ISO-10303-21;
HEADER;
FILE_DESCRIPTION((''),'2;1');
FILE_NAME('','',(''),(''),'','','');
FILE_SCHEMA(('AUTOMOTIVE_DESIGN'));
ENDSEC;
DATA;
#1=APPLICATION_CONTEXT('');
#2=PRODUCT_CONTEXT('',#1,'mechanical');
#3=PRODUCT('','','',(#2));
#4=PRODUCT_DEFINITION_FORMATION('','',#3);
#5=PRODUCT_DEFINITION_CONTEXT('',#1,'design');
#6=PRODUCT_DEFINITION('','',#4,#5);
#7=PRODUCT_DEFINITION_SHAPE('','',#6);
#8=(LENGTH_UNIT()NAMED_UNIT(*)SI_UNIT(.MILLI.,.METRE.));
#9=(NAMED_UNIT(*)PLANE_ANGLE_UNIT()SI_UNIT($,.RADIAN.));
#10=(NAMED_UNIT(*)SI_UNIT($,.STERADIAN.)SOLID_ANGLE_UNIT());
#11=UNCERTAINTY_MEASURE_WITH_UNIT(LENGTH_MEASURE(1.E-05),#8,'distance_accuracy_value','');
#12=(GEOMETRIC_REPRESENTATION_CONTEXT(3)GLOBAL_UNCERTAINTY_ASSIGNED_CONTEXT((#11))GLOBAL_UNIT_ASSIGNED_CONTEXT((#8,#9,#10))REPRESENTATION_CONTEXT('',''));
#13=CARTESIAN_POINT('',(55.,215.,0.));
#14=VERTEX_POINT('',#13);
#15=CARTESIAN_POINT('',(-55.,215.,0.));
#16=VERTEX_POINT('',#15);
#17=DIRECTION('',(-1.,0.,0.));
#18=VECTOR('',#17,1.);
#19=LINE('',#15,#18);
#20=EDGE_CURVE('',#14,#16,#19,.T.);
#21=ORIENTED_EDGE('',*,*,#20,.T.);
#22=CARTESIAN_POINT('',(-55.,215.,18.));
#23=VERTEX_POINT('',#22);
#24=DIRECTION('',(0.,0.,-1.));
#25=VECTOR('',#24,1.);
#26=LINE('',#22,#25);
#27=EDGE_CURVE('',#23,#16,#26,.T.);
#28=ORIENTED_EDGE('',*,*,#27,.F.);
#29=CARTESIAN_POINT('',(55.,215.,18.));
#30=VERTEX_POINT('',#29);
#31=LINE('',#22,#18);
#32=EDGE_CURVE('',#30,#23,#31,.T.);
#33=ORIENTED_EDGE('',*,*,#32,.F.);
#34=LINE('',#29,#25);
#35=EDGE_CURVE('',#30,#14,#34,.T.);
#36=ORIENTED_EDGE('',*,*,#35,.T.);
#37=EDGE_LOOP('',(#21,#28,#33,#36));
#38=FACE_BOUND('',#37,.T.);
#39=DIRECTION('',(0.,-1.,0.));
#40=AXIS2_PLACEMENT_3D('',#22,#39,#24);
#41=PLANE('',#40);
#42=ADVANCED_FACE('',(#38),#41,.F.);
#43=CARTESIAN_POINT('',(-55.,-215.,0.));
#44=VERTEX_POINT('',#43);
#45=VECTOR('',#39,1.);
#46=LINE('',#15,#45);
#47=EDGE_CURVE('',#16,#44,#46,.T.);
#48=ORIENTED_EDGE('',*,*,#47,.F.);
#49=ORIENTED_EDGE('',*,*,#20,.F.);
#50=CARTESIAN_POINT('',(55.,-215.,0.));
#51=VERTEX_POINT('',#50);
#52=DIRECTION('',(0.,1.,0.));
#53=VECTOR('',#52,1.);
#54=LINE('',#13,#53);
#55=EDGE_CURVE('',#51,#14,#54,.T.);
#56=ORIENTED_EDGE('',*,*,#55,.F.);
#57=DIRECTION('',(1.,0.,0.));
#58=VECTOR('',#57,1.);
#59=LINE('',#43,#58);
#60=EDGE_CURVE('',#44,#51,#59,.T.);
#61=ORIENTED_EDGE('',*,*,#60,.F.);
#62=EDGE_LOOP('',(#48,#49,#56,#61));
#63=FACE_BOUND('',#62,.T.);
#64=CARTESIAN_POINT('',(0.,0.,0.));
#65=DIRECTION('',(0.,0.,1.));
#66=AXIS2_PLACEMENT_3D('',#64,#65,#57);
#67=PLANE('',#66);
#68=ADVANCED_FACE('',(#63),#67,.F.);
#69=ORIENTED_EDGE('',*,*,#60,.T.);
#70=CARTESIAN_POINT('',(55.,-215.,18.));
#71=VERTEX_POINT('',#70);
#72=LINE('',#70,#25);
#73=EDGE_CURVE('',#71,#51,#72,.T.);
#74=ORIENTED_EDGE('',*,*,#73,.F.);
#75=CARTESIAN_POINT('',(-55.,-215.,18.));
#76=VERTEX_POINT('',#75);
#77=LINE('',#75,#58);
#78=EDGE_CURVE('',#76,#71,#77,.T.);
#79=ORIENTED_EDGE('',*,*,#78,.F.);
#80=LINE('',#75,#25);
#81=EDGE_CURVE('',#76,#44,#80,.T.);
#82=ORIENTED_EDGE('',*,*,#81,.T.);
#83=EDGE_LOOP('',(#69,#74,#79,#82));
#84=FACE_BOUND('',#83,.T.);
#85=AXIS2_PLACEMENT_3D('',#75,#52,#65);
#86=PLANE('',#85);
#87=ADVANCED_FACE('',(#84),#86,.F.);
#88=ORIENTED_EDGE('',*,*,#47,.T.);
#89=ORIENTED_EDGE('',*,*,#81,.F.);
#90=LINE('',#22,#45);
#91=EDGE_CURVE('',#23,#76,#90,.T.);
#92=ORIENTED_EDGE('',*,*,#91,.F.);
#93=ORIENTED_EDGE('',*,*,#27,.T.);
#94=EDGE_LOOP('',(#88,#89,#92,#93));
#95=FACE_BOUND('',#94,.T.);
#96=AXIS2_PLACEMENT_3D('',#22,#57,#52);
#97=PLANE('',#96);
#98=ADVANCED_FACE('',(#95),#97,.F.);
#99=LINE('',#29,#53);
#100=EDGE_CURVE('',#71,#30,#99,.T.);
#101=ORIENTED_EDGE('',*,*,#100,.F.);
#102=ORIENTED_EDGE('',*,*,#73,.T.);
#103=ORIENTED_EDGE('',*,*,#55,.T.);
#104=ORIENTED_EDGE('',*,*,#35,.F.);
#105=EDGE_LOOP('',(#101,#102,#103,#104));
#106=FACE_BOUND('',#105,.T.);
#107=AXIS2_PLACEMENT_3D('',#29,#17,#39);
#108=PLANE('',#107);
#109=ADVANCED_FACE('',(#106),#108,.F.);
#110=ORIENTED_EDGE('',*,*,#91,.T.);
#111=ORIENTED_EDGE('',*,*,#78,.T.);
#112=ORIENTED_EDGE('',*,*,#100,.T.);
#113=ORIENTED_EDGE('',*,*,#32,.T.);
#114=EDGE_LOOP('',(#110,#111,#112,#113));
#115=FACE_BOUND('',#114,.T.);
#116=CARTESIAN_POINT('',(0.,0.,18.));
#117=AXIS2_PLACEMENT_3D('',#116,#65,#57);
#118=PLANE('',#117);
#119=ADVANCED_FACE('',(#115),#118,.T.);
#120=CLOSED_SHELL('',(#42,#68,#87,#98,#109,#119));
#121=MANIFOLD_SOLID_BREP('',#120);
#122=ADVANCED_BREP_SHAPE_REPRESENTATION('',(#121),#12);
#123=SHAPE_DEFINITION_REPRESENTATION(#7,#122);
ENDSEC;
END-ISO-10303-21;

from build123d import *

# Parameters (mm, degrees)
SKETCH1_W           = 110
SKETCH1_H           = 430
BOSS_EXTRUDE1_DEPTH = 18


with BuildPart() as part:
    # Sketch1 → Boss-Extrude1 (new body)
    with BuildSketch(Plane.XY):
        Rectangle(SKETCH1_W, SKETCH1_H)
    extrude(amount=BOSS_EXTRUDE1_DEPTH)


solid = part.part
